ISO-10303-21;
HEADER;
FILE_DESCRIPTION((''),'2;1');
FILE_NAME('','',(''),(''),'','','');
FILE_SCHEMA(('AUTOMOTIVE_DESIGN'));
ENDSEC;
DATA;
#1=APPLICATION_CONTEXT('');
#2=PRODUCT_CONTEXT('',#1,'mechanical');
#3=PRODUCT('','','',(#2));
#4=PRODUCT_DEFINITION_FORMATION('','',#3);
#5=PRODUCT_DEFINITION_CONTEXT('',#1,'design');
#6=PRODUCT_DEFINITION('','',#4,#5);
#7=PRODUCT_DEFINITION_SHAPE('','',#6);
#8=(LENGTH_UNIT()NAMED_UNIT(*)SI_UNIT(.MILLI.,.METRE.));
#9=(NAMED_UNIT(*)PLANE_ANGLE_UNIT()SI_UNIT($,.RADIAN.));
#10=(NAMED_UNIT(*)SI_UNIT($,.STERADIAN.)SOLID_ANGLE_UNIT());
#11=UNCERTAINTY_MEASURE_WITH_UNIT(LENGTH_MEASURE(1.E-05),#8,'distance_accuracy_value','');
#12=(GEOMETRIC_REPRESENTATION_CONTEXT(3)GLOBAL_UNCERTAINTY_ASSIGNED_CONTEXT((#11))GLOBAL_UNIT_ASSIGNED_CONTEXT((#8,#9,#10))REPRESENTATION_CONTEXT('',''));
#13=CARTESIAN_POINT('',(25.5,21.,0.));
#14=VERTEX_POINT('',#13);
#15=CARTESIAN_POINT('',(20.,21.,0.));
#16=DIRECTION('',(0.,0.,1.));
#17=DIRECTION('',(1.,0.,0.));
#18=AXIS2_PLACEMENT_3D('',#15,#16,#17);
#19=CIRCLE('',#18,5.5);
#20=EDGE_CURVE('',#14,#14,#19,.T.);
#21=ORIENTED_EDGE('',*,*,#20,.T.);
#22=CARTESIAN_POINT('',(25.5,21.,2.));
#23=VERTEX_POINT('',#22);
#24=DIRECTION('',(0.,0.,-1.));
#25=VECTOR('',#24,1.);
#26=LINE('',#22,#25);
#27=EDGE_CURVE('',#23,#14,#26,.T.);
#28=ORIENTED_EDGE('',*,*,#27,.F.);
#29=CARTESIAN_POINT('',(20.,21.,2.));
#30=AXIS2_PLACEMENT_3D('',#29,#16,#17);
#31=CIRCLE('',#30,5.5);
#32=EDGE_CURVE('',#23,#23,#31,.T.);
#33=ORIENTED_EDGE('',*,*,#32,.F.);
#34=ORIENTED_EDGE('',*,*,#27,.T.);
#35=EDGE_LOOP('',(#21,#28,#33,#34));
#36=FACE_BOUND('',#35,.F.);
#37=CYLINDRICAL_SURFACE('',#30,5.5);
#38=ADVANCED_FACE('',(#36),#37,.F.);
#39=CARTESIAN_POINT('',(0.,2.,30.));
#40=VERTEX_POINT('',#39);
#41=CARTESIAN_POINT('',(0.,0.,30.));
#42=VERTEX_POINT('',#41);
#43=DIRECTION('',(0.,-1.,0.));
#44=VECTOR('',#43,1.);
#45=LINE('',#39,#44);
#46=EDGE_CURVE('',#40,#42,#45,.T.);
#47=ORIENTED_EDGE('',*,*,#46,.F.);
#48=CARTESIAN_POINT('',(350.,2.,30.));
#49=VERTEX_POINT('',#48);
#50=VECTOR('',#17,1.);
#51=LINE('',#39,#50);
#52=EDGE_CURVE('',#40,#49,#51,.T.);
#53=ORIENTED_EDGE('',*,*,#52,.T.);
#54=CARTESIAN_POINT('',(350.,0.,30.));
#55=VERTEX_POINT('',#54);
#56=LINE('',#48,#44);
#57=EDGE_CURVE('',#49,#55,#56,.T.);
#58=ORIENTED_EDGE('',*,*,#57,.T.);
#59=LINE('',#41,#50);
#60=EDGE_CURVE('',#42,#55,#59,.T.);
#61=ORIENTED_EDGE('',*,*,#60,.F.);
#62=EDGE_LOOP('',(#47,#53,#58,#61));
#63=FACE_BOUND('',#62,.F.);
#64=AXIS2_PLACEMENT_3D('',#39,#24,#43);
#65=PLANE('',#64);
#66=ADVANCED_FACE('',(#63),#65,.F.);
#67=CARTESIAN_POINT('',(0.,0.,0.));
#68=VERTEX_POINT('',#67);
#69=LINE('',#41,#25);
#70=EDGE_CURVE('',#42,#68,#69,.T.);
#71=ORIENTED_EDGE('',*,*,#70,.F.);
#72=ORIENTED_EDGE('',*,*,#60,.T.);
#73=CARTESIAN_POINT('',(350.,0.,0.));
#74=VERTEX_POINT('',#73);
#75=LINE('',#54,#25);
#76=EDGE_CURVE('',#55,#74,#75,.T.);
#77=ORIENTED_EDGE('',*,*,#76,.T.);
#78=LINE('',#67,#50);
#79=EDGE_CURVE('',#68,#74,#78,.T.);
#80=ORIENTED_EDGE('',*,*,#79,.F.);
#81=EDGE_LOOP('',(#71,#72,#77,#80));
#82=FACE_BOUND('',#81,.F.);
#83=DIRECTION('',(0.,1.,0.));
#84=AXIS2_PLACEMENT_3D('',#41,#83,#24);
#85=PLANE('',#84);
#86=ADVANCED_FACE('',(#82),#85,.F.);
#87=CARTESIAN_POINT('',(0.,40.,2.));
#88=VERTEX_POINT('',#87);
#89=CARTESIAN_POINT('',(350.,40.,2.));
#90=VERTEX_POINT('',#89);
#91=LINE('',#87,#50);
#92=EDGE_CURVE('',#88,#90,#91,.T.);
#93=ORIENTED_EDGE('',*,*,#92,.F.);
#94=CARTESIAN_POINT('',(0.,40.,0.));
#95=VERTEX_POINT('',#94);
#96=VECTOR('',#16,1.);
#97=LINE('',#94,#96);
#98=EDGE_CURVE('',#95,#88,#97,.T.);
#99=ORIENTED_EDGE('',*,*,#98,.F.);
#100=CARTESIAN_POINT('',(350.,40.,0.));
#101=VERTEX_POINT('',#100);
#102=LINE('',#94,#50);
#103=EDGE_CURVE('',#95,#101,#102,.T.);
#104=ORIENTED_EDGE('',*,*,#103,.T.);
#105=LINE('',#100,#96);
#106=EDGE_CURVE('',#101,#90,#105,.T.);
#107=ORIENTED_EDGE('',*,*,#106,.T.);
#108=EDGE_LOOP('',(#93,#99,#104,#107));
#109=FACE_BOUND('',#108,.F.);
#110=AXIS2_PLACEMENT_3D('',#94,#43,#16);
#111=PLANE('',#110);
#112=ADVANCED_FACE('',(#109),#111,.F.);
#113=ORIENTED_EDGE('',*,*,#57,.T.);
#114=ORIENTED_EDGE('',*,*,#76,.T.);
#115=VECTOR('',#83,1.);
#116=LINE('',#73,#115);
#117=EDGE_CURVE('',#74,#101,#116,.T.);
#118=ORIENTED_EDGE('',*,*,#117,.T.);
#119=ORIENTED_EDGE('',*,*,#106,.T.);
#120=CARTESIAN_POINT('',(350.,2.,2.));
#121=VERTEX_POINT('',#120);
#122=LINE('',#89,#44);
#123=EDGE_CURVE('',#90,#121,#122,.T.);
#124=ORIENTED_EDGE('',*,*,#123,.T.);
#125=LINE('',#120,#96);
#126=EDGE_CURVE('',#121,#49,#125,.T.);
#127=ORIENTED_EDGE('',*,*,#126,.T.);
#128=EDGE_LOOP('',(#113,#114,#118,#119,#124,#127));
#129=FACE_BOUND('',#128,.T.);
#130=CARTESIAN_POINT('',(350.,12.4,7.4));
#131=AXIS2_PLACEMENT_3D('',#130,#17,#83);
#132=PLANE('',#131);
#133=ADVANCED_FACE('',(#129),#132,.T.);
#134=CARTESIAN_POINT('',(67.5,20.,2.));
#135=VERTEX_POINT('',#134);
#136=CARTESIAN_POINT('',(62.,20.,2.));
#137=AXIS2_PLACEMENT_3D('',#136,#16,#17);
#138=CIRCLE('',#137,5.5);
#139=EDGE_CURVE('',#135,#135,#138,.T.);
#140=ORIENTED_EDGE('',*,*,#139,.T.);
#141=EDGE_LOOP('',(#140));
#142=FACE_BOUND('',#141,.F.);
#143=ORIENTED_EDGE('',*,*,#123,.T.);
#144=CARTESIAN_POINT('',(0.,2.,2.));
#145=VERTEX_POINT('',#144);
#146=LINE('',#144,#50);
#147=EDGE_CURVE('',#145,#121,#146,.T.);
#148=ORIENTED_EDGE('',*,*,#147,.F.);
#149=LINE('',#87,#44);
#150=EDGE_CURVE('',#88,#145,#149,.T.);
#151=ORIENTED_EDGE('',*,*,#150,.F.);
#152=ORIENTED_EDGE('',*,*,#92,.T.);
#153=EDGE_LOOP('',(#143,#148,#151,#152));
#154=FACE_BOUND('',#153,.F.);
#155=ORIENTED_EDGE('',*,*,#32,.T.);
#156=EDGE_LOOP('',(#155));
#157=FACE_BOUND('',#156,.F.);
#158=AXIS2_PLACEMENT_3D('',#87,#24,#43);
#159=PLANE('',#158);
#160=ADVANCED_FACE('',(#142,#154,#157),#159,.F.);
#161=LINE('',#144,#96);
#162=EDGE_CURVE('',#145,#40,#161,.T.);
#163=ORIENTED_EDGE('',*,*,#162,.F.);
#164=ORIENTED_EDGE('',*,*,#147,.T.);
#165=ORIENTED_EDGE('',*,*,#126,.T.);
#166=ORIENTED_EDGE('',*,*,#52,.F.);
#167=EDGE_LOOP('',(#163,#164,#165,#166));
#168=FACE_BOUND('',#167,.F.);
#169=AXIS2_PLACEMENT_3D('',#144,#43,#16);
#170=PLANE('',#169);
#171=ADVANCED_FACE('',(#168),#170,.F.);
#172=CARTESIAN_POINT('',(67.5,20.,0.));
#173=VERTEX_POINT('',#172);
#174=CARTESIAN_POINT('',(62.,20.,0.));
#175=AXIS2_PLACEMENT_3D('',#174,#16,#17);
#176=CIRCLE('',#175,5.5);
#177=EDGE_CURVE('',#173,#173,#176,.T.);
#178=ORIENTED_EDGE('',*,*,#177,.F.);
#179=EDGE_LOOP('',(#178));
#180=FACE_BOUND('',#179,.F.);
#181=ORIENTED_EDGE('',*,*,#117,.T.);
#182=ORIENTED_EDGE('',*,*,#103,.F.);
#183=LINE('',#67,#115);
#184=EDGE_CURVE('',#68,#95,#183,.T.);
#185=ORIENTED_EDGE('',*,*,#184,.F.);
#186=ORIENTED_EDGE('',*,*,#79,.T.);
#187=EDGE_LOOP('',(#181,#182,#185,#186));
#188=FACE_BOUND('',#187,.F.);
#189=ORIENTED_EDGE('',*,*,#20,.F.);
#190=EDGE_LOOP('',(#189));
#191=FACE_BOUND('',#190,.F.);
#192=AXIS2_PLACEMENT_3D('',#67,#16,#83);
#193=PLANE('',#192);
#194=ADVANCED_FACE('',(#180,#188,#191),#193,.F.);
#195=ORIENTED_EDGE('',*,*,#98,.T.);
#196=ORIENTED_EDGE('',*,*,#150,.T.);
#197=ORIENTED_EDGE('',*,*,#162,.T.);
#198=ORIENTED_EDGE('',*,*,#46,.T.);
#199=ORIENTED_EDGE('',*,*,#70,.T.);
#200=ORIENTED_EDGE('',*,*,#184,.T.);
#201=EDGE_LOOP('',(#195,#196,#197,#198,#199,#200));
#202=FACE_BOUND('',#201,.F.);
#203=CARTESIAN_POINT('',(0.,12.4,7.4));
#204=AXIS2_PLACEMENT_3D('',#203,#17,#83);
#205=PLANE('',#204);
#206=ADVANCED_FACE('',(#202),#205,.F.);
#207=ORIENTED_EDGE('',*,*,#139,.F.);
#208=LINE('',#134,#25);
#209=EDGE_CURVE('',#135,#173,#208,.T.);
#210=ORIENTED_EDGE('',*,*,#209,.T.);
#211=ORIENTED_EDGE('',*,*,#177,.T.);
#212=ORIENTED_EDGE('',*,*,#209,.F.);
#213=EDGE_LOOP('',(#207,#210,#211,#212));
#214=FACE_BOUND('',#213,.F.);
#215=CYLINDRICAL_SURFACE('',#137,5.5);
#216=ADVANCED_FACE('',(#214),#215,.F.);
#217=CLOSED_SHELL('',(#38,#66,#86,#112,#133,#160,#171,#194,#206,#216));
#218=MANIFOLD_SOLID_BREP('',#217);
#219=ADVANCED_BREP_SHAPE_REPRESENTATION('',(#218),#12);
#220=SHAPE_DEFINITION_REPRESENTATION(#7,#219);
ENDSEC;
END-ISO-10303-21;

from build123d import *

# Parameters (mm, degrees)
F1_DEPTH = 350
F2_R     = 5.5
F3_DEPTH = 25


with BuildPart() as f1:
    # F0 (on Right) → F1 (new body)
    with BuildSketch(Plane.YZ):
        Polygon((0, 30), (0, 0), (40, 0), (40, 2), (2, 2), (2, 30), align=None)
    extrude(amount=F1_DEPTH)

    # F2 (on face) → F3 (cut)
    with BuildSketch(Plane.XY.offset(2)):
        with Locations((20, 21)):
            Circle(F2_R)
        with Locations((62, 20)):
            Circle(F2_R)
    extrude(amount=-F3_DEPTH, mode=Mode.SUBTRACT)


solid = f1.part
